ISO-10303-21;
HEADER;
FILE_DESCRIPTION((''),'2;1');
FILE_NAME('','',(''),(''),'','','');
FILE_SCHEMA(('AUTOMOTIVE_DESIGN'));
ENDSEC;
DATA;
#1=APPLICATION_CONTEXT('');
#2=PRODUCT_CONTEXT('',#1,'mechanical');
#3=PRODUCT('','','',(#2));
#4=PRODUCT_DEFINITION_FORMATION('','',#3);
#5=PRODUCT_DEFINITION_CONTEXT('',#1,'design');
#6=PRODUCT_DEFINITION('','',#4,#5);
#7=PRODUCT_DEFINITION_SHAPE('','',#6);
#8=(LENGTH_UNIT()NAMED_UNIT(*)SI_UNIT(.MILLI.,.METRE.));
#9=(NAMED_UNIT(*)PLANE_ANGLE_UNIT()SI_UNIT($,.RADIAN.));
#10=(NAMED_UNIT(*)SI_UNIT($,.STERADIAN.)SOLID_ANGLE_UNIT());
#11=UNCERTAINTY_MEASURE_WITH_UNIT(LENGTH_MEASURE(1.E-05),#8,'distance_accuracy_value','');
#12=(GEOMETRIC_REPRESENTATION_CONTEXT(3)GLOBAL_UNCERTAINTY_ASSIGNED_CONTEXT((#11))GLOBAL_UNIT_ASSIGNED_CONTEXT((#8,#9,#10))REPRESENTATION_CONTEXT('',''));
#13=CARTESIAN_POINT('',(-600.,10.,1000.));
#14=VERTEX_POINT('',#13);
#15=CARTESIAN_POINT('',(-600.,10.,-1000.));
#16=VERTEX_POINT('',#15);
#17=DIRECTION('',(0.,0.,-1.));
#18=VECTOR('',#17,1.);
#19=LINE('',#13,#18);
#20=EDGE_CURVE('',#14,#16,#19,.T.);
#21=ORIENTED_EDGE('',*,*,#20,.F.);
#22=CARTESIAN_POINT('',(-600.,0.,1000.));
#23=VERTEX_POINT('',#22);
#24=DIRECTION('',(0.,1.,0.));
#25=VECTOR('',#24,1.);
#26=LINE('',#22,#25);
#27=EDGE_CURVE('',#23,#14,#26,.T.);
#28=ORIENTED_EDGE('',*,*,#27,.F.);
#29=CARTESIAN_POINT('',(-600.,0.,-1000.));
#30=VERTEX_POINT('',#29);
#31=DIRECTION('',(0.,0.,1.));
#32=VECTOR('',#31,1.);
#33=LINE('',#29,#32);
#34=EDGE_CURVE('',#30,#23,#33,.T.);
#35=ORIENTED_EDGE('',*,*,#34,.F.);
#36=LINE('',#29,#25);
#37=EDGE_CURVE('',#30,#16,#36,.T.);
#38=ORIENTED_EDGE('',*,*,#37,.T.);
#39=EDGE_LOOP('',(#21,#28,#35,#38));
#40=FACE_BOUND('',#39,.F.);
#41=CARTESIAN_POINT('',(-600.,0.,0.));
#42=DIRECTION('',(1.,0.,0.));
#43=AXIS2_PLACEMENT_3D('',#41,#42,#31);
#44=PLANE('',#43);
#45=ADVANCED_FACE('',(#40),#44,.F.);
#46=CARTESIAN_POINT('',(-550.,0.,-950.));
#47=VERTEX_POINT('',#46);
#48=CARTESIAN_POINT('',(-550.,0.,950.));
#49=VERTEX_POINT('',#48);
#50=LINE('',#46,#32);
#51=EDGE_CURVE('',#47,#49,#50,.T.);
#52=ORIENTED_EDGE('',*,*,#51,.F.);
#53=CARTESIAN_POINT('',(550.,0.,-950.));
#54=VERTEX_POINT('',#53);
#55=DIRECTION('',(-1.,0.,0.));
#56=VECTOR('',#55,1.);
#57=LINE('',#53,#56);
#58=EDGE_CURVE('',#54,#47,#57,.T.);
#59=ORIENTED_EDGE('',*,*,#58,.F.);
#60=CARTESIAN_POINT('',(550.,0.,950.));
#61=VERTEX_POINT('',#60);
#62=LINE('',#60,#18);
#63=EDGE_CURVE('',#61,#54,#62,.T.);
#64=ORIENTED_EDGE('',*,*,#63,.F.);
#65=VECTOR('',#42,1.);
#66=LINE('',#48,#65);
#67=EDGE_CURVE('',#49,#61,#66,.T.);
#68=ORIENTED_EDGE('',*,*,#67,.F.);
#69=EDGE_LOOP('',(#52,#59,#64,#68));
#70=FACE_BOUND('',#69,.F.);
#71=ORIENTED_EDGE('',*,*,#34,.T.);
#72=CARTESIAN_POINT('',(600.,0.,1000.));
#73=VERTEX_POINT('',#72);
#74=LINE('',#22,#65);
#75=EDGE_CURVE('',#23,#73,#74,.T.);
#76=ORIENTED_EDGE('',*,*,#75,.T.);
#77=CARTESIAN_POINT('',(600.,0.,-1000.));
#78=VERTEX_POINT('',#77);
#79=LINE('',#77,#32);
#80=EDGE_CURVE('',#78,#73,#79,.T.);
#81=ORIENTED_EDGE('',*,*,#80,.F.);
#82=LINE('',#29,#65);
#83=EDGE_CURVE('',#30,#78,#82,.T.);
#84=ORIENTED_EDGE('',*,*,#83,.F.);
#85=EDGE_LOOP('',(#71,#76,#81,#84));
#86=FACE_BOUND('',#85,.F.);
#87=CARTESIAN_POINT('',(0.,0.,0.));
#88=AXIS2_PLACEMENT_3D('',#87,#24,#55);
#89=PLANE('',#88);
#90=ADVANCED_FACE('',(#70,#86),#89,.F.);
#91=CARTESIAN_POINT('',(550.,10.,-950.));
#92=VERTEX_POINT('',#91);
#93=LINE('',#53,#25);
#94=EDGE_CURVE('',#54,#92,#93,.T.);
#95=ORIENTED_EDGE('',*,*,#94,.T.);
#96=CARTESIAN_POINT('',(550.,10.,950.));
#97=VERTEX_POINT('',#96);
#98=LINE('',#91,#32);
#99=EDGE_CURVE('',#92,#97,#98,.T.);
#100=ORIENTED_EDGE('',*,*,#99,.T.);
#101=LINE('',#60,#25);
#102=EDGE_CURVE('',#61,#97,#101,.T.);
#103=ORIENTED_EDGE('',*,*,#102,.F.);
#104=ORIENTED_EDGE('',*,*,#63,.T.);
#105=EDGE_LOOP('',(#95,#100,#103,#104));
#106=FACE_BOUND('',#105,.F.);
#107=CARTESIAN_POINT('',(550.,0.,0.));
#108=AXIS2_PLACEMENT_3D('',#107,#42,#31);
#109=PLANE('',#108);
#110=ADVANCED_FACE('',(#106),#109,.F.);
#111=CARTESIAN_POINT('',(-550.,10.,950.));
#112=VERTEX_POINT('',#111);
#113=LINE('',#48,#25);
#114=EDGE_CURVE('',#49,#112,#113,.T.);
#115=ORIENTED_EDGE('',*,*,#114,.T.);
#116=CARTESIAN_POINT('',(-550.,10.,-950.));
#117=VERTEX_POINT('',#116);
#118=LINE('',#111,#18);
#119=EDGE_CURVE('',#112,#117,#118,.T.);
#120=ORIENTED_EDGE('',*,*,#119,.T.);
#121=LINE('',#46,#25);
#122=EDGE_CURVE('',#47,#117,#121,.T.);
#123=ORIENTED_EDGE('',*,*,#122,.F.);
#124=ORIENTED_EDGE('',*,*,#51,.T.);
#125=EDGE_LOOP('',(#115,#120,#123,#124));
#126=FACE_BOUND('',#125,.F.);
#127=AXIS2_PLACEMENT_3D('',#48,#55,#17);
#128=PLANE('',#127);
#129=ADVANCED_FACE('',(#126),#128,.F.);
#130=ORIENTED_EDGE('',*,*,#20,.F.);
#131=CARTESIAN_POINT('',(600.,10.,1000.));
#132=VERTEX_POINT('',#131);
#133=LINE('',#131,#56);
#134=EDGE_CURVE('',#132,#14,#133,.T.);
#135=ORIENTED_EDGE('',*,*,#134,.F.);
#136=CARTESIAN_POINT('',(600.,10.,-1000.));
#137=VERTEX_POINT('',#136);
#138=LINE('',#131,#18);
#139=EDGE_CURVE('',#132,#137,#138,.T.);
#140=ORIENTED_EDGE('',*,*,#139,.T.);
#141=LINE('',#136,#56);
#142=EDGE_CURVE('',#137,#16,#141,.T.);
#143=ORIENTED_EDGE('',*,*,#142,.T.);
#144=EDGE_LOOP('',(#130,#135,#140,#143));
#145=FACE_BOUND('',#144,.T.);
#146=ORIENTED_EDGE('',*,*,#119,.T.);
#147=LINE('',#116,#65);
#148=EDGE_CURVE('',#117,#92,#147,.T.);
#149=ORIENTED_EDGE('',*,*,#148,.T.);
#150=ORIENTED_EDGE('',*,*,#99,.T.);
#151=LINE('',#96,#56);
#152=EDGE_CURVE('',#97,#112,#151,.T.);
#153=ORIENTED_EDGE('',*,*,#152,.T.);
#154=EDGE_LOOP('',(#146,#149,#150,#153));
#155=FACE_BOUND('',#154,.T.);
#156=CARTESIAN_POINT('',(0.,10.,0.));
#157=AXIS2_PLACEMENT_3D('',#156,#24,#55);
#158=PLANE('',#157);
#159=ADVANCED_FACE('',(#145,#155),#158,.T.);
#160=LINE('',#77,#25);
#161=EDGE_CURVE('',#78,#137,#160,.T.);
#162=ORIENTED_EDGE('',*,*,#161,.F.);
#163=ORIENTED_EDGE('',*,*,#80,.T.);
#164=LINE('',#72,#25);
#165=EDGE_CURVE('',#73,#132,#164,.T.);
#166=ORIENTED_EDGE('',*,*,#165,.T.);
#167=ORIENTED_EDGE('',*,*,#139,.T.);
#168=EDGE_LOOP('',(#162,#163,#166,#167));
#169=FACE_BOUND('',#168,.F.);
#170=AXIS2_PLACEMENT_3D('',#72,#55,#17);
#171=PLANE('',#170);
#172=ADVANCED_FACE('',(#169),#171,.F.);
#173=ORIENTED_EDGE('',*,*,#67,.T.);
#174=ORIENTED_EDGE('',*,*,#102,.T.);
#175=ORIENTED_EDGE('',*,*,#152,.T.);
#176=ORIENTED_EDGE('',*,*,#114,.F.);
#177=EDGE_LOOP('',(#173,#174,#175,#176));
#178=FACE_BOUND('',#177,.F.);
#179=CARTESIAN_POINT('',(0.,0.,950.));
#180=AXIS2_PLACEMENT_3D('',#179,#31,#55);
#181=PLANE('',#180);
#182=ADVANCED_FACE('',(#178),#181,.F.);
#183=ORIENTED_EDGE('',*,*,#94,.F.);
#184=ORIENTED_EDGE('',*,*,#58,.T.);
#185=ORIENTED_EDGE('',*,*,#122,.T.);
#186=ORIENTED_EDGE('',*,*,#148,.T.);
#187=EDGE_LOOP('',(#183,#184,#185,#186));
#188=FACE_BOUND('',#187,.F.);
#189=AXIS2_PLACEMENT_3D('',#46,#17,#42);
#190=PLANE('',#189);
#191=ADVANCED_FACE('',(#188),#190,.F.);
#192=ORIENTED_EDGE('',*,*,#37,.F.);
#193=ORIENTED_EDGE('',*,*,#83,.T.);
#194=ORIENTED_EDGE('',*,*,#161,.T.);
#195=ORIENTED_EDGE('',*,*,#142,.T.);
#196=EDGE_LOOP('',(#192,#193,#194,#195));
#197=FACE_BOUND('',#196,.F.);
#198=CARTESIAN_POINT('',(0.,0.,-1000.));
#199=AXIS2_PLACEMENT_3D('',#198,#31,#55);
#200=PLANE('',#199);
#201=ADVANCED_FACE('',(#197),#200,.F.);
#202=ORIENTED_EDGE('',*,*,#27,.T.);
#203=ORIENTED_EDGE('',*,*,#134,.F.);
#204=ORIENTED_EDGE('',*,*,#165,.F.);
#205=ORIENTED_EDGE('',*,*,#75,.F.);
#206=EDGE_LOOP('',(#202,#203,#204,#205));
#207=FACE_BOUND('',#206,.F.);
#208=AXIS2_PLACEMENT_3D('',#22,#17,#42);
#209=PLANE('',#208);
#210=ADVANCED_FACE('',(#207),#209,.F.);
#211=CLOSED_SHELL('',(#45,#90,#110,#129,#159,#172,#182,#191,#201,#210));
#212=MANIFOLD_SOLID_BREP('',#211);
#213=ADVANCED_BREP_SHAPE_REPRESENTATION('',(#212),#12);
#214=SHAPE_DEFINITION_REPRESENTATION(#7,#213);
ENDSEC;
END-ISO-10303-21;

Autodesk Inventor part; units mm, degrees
ref_plane "YZ Plane" through (0, 0, 0) normal (1, 0, 0) x (0, 1, 0)
ref_plane "XZ Plane" through (0, 0, 0) normal (0, 1, 0) x (-1, 0, 0)
ref_plane "XY Plane" through (0, 0, 0) normal (0, 0, 1) x (1, 0, 0)
sketch "Skizze1" plane through (0, 0, 0) normal (0, 1, 0) x (-1, 0, 0)
  line L0 (600, 1000) -> (-600, 1000)
  line L1 (-600, 1000) -> (-600, -1000)
  line L2 (-600, -1000) -> (600, -1000)
  line L3 (600, -1000) -> (600, 1000)
  line L4 (840, 0) -> (-840, 0) projected
  line L5 (0, -1400) -> (0, 1400) projected
  line L6 (-550, 950) -> (550, 950)
  line L7 (550, 950) -> (550, -950)
  line L8 (550, -950) -> (-550, -950)
  line L9 (-550, -950) -> (-550, 950)
  dimension "d2" = 2000
  dimension "d3" = 1200
  dimension "d4" = 50
extrude "Extrusion1" add sketch "Skizze1" along normal blind 10 contours L3 L4 L7 L6 L5 L0 | L5 L6 L9 L4 L1 L0 | L3 L2 L5 L8 L7 L4 | L4 L9 L8 L5 L2 L1
properties part number "Rahmen 1" material "Holz (Eiche)"
